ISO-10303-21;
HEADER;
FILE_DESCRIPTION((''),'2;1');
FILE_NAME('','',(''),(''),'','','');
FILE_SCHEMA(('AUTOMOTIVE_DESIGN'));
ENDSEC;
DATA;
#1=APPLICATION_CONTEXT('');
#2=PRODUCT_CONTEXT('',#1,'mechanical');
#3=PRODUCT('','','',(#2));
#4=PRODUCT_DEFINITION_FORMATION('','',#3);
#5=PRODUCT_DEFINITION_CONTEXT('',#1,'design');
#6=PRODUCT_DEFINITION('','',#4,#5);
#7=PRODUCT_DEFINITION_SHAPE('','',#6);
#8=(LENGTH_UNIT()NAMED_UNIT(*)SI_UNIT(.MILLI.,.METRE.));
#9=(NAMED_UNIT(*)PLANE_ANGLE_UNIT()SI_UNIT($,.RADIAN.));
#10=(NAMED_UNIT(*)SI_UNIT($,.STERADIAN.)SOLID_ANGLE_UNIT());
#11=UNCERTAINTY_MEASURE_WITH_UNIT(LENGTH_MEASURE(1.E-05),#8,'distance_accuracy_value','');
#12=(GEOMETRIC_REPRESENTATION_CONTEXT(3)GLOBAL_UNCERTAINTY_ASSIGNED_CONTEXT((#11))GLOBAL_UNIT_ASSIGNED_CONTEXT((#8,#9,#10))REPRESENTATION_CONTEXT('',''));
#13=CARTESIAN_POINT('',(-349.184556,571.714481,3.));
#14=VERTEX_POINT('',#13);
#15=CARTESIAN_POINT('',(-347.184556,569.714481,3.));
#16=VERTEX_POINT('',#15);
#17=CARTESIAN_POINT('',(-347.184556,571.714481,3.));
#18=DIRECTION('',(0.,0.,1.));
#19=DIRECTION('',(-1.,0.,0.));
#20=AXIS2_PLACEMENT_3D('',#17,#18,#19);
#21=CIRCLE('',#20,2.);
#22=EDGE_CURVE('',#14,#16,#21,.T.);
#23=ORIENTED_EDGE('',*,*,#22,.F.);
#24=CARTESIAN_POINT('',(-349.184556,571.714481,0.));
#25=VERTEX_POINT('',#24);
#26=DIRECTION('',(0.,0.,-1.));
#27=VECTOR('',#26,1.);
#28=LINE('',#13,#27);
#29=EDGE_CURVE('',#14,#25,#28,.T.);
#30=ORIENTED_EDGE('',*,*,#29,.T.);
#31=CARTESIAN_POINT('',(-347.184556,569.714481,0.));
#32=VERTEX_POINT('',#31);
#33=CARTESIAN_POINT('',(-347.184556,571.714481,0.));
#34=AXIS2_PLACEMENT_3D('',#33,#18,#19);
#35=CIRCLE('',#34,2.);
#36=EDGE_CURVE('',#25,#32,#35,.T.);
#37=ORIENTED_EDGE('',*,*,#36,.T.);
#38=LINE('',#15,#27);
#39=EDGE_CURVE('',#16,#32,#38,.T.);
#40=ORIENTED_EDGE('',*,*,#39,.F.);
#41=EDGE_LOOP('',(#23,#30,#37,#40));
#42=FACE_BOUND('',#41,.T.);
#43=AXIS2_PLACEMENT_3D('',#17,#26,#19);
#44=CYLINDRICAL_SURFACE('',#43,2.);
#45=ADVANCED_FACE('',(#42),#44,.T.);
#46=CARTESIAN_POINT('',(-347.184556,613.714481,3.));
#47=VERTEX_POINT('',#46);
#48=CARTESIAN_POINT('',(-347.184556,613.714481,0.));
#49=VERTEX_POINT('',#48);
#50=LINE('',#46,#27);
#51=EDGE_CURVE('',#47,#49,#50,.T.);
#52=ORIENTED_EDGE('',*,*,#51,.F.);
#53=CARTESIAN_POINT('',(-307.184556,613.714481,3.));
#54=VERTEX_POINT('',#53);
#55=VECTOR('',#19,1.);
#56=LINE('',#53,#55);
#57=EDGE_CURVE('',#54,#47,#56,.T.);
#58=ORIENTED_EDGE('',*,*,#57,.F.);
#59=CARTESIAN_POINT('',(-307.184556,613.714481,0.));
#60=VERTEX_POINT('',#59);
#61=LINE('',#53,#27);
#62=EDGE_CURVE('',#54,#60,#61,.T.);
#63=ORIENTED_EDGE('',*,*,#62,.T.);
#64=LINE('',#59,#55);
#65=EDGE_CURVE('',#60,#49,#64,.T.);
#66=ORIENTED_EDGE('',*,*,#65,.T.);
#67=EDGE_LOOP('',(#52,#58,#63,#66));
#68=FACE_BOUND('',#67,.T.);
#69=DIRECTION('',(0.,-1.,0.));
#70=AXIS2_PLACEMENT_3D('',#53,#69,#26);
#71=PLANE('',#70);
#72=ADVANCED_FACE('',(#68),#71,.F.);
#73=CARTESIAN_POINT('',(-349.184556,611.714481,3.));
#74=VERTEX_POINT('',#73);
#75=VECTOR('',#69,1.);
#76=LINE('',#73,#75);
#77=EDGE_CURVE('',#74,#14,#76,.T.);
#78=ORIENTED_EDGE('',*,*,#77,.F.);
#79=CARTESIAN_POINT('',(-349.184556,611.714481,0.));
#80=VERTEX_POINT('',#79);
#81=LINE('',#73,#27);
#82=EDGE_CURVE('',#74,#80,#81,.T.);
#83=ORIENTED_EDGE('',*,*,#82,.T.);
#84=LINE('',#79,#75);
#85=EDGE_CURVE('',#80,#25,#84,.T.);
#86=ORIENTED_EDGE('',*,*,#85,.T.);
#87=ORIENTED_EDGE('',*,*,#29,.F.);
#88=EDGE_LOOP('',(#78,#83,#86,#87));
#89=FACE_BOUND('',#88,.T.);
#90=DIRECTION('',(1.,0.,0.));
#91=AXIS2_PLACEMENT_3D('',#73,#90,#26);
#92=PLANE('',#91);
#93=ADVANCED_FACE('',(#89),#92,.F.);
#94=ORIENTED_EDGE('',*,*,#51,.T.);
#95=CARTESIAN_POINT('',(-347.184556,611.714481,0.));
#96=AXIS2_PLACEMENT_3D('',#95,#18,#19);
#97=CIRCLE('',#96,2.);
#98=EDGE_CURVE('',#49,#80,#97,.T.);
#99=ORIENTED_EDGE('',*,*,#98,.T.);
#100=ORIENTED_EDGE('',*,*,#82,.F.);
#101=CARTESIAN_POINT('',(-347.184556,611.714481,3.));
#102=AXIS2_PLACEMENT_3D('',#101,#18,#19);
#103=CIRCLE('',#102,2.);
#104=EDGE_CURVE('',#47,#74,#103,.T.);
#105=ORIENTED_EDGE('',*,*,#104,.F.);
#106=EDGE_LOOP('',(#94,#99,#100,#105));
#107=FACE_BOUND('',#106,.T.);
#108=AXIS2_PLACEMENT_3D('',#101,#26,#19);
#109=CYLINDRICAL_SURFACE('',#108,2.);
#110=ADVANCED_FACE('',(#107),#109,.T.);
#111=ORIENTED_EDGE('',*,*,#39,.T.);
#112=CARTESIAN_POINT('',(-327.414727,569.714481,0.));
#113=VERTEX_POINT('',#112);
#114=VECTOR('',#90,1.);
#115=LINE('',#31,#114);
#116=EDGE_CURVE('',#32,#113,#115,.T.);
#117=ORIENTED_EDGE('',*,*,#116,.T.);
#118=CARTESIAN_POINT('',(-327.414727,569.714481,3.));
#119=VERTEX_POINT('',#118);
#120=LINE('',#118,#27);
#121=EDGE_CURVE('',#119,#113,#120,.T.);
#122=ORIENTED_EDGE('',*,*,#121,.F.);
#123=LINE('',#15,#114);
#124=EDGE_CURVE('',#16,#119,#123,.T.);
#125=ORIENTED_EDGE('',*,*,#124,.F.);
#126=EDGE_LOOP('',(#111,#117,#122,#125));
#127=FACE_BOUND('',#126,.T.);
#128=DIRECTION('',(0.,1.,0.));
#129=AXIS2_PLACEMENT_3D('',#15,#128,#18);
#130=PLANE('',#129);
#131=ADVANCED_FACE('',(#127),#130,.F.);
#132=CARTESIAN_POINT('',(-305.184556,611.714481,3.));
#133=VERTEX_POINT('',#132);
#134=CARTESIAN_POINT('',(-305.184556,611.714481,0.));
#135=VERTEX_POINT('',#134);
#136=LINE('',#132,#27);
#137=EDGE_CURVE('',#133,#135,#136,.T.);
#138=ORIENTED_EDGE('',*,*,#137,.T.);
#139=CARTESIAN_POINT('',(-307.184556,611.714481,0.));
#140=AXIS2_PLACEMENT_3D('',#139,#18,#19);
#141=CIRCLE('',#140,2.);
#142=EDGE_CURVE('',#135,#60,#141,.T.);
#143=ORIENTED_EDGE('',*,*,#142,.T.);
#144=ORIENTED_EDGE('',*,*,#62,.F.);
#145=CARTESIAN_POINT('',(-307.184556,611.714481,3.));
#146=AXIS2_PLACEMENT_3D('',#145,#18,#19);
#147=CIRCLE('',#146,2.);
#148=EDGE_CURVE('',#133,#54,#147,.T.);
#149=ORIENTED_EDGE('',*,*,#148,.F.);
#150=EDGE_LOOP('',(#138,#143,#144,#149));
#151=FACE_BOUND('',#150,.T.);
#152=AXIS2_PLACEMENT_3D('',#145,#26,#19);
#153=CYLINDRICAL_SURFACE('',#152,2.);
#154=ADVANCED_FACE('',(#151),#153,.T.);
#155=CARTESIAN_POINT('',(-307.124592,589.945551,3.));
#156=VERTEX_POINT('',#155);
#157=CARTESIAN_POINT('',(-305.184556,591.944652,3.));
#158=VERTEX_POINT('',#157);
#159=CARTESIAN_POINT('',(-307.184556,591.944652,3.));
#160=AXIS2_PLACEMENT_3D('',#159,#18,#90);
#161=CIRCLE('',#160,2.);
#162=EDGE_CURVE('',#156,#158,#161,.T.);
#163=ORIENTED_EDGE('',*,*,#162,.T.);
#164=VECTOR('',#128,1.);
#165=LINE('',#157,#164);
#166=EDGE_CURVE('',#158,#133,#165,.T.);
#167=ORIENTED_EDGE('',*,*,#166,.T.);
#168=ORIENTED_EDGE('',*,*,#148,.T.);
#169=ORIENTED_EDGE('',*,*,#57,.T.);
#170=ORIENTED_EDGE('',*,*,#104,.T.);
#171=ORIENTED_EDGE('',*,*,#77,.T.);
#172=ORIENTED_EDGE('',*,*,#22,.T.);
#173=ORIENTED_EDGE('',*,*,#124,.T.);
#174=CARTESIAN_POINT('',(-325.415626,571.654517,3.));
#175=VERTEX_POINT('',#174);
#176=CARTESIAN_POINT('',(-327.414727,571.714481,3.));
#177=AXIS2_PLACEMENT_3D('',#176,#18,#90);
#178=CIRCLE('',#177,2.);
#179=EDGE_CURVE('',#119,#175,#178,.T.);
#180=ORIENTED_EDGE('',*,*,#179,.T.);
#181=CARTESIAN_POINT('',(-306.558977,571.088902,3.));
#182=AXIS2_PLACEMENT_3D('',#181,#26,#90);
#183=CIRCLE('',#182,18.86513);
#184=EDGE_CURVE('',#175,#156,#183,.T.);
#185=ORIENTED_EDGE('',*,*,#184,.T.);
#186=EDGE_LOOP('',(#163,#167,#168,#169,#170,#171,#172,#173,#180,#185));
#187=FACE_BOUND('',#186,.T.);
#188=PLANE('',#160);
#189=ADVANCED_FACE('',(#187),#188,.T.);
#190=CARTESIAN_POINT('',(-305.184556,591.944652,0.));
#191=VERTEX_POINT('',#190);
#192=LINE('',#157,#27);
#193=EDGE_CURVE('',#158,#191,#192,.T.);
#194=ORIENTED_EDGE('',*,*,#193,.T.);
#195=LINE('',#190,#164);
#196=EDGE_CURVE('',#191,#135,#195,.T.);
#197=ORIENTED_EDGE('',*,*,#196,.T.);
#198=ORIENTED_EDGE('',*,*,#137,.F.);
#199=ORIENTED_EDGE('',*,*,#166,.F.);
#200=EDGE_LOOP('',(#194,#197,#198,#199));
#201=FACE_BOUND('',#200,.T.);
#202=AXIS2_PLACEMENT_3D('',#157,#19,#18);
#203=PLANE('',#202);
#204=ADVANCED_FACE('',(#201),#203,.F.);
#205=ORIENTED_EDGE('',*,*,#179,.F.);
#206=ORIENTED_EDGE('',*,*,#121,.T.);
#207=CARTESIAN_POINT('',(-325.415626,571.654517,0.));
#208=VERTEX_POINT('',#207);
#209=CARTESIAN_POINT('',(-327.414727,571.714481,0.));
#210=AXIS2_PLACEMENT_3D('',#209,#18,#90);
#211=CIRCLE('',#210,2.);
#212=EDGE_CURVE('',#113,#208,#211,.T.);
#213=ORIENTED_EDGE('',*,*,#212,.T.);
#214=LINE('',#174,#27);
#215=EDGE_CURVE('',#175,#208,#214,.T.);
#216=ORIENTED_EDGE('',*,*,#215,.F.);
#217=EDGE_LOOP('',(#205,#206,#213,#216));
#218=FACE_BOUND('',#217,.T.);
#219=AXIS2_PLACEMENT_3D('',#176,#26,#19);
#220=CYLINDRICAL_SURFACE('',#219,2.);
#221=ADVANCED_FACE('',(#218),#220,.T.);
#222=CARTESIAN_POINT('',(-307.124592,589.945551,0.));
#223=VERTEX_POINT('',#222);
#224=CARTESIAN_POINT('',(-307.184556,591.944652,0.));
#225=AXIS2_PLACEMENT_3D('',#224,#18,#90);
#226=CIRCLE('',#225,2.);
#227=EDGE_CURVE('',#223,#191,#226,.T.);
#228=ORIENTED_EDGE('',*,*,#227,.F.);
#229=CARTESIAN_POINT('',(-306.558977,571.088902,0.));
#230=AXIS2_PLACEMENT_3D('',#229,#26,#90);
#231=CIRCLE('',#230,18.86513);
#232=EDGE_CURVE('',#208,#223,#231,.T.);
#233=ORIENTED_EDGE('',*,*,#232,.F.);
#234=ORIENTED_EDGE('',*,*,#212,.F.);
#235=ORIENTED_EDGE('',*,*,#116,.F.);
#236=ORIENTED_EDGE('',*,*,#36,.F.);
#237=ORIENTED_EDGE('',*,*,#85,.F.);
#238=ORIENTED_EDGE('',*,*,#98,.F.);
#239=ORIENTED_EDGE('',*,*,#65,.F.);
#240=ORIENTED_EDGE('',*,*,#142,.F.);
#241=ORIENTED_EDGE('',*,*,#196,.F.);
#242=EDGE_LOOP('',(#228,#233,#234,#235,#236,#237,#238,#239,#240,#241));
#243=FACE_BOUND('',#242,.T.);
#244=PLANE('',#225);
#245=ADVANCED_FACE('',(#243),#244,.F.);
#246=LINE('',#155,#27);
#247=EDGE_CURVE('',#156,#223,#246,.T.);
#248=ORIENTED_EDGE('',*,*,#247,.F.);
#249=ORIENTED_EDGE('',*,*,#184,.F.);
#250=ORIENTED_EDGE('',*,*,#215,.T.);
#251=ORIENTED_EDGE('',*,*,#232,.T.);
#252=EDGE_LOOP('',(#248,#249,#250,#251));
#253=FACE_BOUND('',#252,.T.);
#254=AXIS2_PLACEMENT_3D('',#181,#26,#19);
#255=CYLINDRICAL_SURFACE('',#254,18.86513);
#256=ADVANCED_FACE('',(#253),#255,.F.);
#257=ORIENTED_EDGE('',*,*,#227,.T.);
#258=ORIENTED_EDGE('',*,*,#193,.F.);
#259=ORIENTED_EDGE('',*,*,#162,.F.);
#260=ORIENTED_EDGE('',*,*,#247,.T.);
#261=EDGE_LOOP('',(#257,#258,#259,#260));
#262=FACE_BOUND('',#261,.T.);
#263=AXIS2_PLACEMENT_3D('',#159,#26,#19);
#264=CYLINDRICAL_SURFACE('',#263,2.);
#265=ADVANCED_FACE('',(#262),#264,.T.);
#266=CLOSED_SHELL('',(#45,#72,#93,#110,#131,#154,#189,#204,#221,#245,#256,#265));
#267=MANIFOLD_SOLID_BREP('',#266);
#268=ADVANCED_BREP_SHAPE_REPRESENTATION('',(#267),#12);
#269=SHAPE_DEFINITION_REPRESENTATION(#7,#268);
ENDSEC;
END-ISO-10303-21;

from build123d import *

# Parameters (mm, degrees)
BOSS_EXTRUDE1_DEPTH = 3


with BuildPart() as part:
    # Sketch1 → Boss-Extrude1 (new body)
    with BuildSketch(Plane.XY):
        with BuildLine():
            Line((-307.184555639, 613.714480845), (-347.184555639, 613.714480845))
            ThreePointArc((-347.184555639, 613.714480845), (-348.598769202, 613.128694407), (-349.184555639, 611.714480845))
            Line((-349.184555639, 611.714480845), (-349.184555639, 571.714480845))
            ThreePointArc((-349.184555639, 571.714480845), (-348.598769202, 570.300267282), (-347.184555639, 569.714480845))
            Line((-347.184555639, 569.714480845), (-327.414726928, 569.714480845))
            ThreePointArc((-327.414726928, 569.714480845), (-326.021875182, 570.279223372), (-325.415626051, 571.65451683))
            ThreePointArc((-325.415626051, 571.65451683), (-319.898638459, 584.428563664), (-307.124591625, 589.945551256))
            ThreePointArc((-307.124591625, 589.945551256), (-305.749298166, 590.551800388), (-305.184555639, 591.944652133))
            Line((-305.184555639, 591.944652133), (-305.184555639, 611.714480845))
            ThreePointArc((-305.184555639, 611.714480845), (-305.770342077, 613.128694407), (-307.184555639, 613.714480845))
        make_face()
    extrude(amount=BOSS_EXTRUDE1_DEPTH)


solid = part.part
